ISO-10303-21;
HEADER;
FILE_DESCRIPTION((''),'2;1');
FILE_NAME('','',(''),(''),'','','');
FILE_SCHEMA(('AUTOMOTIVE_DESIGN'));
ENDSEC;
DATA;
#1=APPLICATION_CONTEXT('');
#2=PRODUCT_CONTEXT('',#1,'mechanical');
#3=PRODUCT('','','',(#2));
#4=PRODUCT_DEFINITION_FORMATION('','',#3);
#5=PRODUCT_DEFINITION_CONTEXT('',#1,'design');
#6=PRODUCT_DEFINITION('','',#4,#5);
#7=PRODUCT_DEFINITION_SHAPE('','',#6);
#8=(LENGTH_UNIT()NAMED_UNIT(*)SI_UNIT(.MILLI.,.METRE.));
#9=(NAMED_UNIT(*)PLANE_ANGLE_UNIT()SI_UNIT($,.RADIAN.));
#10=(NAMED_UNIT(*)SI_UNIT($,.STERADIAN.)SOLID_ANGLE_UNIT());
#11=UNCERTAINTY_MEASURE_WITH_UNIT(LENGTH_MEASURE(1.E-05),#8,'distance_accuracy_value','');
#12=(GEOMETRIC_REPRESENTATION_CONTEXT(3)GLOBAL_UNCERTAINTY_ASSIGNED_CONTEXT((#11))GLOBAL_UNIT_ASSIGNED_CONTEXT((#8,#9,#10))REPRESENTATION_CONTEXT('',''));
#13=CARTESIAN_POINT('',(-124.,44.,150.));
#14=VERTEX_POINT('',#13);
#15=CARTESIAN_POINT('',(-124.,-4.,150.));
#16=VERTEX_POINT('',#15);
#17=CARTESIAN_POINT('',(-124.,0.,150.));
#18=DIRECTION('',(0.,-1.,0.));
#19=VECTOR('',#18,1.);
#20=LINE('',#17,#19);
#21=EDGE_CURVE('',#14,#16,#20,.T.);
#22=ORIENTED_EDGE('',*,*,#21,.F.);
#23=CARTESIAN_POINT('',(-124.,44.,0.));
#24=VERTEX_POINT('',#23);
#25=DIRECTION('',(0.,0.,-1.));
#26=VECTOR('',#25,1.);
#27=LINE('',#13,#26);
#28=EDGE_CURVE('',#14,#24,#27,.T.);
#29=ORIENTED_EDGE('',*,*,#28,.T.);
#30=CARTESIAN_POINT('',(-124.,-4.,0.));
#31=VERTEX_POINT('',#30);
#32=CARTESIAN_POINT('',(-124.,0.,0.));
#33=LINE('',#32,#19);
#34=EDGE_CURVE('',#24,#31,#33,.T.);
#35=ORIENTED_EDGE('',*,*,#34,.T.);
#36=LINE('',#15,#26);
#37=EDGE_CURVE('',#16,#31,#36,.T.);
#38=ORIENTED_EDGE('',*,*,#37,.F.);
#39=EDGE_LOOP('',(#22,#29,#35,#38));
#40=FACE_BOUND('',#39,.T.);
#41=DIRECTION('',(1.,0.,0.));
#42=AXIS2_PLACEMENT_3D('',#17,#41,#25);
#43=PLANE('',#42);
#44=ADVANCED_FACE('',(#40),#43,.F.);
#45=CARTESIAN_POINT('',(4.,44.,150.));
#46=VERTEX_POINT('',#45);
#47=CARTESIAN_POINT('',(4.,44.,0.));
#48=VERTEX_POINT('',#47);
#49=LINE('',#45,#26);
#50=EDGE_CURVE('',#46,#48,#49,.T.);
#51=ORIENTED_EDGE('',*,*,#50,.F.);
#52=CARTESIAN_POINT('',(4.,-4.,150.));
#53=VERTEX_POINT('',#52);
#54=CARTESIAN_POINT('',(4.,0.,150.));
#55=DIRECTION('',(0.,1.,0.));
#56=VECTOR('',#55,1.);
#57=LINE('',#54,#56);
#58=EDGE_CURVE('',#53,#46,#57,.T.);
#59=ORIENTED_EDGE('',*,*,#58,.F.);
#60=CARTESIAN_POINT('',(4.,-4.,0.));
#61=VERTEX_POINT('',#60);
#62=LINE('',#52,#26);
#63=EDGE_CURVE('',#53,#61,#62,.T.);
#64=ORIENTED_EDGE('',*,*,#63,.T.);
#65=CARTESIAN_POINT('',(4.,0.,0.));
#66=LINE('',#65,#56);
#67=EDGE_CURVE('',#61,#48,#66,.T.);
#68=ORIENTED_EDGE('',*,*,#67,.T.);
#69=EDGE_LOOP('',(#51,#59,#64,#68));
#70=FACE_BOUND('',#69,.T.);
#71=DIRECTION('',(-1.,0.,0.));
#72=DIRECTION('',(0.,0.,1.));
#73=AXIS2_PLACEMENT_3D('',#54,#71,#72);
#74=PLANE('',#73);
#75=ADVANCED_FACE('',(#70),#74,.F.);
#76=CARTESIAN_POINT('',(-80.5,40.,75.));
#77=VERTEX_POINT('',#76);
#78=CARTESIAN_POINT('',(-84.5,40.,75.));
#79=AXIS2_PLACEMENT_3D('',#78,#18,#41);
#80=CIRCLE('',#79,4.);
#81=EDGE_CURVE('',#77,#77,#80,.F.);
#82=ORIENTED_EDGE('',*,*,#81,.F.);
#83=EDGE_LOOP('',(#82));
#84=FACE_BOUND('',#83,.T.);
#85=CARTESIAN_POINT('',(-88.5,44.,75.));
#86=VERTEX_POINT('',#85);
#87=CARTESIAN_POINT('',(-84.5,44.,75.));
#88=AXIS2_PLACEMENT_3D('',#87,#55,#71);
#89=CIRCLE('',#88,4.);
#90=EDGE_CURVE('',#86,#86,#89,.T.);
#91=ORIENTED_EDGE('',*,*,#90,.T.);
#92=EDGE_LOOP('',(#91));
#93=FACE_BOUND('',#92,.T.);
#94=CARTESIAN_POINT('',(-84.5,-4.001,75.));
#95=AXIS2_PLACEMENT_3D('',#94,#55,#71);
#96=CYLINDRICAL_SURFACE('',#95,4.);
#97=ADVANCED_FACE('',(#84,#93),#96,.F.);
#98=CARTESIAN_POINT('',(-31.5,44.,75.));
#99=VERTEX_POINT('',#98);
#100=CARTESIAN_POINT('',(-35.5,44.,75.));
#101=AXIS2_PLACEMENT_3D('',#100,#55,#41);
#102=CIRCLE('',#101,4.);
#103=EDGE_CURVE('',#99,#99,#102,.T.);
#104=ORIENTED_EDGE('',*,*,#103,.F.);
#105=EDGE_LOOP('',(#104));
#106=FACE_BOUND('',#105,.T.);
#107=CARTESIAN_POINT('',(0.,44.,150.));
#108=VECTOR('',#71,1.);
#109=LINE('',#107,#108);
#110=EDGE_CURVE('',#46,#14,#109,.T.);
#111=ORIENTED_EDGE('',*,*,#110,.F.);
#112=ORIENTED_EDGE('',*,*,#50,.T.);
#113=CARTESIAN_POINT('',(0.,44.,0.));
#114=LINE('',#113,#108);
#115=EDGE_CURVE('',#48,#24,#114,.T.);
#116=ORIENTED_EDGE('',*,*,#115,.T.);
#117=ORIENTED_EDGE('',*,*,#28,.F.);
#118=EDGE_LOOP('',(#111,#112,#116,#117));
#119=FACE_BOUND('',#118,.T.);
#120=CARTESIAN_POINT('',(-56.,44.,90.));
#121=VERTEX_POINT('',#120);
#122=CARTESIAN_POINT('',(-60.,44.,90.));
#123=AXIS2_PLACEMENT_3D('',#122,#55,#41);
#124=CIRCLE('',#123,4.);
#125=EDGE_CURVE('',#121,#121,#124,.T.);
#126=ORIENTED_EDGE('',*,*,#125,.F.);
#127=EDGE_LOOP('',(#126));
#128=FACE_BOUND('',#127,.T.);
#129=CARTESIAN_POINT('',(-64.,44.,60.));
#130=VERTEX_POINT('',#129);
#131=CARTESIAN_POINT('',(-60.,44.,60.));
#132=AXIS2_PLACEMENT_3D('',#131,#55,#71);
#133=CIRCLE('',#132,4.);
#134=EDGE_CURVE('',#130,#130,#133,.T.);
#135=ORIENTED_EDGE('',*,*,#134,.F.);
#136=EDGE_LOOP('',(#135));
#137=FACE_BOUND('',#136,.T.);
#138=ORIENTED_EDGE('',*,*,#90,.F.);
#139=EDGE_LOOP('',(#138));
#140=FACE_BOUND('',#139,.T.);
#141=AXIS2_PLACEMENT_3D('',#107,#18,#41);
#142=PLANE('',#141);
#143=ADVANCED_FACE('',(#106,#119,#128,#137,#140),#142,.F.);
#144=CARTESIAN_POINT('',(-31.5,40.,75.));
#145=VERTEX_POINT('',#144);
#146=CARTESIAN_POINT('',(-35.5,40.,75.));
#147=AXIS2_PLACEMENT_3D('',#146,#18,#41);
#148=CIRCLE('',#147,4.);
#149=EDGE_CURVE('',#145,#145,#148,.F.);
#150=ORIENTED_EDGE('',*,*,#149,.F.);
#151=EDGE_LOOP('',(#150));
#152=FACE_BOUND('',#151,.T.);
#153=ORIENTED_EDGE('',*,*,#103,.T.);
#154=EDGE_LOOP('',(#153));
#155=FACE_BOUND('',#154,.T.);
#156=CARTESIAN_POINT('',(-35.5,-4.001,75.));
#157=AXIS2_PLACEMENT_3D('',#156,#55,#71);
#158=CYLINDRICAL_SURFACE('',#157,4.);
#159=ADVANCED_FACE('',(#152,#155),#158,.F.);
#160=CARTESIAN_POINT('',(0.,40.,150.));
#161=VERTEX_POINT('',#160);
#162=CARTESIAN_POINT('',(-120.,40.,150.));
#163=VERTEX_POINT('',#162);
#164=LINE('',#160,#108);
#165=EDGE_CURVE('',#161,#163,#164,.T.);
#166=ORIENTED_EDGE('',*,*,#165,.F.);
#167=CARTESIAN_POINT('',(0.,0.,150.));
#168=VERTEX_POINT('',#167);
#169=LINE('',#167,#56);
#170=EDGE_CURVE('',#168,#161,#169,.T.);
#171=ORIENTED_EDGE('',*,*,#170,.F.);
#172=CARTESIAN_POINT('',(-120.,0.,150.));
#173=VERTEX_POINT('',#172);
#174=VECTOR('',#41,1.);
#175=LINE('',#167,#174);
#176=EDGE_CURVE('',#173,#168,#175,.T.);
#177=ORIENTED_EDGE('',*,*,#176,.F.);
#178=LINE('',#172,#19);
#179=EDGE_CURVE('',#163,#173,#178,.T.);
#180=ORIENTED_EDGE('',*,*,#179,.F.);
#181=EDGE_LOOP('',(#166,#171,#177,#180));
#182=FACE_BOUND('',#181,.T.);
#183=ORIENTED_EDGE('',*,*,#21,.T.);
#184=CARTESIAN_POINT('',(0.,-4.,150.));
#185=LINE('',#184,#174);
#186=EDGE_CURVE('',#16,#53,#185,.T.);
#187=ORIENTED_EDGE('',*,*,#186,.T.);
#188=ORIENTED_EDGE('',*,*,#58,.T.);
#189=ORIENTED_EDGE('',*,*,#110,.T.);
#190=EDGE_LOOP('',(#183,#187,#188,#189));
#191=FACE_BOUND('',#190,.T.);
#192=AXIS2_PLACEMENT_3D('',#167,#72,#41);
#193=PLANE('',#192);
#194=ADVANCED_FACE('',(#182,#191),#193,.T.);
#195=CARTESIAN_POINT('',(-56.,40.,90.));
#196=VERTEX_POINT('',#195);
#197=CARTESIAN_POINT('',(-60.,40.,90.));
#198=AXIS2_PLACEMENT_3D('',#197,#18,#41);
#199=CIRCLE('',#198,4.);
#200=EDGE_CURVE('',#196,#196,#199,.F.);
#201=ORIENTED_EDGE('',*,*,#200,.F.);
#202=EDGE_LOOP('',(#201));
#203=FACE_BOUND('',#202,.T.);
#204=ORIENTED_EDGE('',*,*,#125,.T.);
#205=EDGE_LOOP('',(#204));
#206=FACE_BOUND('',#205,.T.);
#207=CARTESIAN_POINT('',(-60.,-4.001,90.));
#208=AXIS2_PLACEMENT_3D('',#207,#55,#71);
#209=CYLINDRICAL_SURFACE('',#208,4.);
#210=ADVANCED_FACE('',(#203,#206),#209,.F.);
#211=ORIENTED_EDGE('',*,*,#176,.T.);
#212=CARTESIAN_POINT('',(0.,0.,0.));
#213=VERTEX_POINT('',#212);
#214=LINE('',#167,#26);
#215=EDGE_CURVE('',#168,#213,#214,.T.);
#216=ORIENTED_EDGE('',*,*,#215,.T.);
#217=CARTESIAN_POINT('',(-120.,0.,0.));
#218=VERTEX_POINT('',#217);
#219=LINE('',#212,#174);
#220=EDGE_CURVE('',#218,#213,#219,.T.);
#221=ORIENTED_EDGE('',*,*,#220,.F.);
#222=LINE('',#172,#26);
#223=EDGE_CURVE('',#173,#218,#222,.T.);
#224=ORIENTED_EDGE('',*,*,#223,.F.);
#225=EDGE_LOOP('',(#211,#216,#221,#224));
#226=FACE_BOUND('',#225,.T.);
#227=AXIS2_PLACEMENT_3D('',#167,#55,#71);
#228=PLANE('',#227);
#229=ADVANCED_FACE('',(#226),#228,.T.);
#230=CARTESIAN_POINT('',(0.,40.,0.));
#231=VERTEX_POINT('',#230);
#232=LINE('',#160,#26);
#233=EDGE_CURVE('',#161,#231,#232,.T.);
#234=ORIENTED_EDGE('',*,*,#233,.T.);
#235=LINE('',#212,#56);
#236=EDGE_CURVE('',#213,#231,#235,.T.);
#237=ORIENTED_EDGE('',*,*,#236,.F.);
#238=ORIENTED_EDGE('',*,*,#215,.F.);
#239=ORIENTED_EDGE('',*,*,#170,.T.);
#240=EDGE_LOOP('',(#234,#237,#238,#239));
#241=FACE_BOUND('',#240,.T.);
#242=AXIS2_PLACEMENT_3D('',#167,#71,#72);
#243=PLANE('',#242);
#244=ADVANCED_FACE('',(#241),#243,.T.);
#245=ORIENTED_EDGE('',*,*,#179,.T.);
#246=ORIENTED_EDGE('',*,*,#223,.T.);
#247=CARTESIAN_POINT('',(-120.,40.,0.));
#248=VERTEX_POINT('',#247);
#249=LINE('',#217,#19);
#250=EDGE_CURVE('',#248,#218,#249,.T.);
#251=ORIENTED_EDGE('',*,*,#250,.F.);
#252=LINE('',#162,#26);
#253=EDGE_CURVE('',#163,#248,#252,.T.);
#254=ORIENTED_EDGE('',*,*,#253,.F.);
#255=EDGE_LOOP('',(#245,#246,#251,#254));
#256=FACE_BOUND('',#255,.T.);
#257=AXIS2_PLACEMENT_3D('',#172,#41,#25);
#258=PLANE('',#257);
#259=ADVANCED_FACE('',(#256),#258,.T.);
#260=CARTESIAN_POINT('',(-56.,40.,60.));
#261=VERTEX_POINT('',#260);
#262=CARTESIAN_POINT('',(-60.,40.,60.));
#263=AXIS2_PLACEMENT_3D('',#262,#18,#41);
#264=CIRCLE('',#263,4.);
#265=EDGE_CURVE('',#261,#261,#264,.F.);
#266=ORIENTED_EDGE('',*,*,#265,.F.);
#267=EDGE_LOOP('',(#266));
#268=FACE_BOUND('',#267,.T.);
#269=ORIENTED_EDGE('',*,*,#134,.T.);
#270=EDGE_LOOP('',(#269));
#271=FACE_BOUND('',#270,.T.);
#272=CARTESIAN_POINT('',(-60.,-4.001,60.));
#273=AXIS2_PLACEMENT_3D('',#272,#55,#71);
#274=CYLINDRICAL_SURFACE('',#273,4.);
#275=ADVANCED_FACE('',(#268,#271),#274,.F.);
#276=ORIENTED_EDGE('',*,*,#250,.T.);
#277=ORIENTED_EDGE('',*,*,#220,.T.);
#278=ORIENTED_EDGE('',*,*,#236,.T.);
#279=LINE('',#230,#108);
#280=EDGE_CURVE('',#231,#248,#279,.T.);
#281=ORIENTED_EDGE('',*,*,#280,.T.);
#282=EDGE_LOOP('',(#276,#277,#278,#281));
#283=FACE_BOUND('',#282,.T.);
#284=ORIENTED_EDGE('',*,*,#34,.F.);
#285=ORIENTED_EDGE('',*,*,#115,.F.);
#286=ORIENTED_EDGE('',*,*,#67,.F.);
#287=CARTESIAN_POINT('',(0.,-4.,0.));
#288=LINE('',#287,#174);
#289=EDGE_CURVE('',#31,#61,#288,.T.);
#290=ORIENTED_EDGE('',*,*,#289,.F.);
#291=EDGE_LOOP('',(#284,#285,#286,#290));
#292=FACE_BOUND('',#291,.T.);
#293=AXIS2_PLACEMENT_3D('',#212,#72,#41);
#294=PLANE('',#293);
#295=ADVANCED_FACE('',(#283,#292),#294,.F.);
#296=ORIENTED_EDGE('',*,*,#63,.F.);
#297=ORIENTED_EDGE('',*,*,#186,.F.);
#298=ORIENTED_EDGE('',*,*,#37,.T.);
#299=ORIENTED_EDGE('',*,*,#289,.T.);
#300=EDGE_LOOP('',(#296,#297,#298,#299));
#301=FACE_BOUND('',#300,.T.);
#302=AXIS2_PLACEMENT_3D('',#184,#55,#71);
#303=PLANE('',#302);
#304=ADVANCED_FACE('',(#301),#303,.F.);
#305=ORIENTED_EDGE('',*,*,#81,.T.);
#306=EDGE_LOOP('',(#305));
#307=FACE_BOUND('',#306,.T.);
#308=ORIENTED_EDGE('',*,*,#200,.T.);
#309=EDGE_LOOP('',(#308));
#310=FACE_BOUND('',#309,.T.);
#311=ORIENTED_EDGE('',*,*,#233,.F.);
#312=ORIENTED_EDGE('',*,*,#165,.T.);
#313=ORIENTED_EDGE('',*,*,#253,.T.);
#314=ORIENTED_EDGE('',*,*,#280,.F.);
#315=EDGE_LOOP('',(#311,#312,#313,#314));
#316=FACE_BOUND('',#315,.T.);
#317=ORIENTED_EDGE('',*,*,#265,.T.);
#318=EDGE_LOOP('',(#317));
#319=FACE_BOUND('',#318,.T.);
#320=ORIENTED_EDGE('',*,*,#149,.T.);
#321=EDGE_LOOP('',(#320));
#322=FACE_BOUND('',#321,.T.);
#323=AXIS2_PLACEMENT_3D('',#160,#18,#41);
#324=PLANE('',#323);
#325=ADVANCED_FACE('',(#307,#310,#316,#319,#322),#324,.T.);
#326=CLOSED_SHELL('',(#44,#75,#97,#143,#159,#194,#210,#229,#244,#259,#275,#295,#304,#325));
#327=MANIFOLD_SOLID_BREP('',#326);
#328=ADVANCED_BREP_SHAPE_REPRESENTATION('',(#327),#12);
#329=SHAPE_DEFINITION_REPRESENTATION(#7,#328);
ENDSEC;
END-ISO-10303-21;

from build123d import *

# Parameters (mm, degrees)
IZIM1_W               = 128
IZIM1_H               = 48
IZIM1_W_2             = 120
IZIM1_H_2             = 40
EKSTR_ZYON_NCE1_DEPTH = 150
KES_EKSTR_ZYON1_REACH = 202.449
IZIM2_R               = 4


with BuildPart() as part:
    # Çizim1 → Ekstrüzyon-İnce1 (new body)
    with BuildSketch(Plane.XY):
        with Locations((-60, 20)):
            Rectangle(IZIM1_W, IZIM1_H)
        with Locations((-60, 20)):
            Rectangle(IZIM1_W_2, IZIM1_H_2, mode=Mode.SUBTRACT)
    extrude(amount=EKSTR_ZYON_NCE1_DEPTH)

    # Çizim2 → Kes-Ekstrüzyon1 (cut, up to next)
    with BuildSketch(Plane(origin=(0, 44, 0), x_dir=(1, 0, 0), z_dir=(0, 1, 0)), mode=Mode.PRIVATE) as kes_ekstr_zyon1_sk1:
        with Locations(Location((-84.5, -75, 0), (0, 0, 180))):
            Circle(IZIM2_R)
    kes_ekstr_zyon1_tool1 = extrude(kes_ekstr_zyon1_sk1.sketch, amount=-KES_EKSTR_ZYON1_REACH, mode=Mode.PRIVATE) & part.part
    # Çizim2 → Kes-Ekstrüzyon1 (cut, up to next)
    with BuildSketch(Plane(origin=(0, 44, 0), x_dir=(1, 0, 0), z_dir=(0, 1, 0)), mode=Mode.PRIVATE) as kes_ekstr_zyon1_sk2:
        with Locations((-35.5, -75)):
            Circle(IZIM2_R)
    kes_ekstr_zyon1_tool2 = extrude(kes_ekstr_zyon1_sk2.sketch, amount=-KES_EKSTR_ZYON1_REACH, mode=Mode.PRIVATE) & part.part
    # Çizim2 → Kes-Ekstrüzyon1 (cut, up to next)
    with BuildSketch(Plane(origin=(0, 44, 0), x_dir=(1, 0, 0), z_dir=(0, 1, 0)), mode=Mode.PRIVATE) as kes_ekstr_zyon1_sk3:
        with Locations(Location((-60, -60, 0), (0, 0, 180))):
            Circle(IZIM2_R)
    kes_ekstr_zyon1_tool3 = extrude(kes_ekstr_zyon1_sk3.sketch, amount=-KES_EKSTR_ZYON1_REACH, mode=Mode.PRIVATE) & part.part
    # Çizim2 → Kes-Ekstrüzyon1 (cut, up to next)
    with BuildSketch(Plane(origin=(0, 44, 0), x_dir=(1, 0, 0), z_dir=(0, 1, 0)), mode=Mode.PRIVATE) as kes_ekstr_zyon1_sk4:
        with Locations((-60, -90)):
            Circle(IZIM2_R)
    kes_ekstr_zyon1_tool4 = extrude(kes_ekstr_zyon1_sk4.sketch, amount=-KES_EKSTR_ZYON1_REACH, mode=Mode.PRIVATE) & part.part
    add(kes_ekstr_zyon1_tool1.solids().sort_by_distance((-84.5, 44, 75))[0], mode=Mode.SUBTRACT)
    add(kes_ekstr_zyon1_tool2.solids().sort_by_distance((-35.5, 44, 75))[0], mode=Mode.SUBTRACT)
    add(kes_ekstr_zyon1_tool3.solids().sort_by_distance((-60, 44, 60))[0], mode=Mode.SUBTRACT)
    add(kes_ekstr_zyon1_tool4.solids().sort_by_distance((-60, 44, 90))[0], mode=Mode.SUBTRACT)


solid = part.part
